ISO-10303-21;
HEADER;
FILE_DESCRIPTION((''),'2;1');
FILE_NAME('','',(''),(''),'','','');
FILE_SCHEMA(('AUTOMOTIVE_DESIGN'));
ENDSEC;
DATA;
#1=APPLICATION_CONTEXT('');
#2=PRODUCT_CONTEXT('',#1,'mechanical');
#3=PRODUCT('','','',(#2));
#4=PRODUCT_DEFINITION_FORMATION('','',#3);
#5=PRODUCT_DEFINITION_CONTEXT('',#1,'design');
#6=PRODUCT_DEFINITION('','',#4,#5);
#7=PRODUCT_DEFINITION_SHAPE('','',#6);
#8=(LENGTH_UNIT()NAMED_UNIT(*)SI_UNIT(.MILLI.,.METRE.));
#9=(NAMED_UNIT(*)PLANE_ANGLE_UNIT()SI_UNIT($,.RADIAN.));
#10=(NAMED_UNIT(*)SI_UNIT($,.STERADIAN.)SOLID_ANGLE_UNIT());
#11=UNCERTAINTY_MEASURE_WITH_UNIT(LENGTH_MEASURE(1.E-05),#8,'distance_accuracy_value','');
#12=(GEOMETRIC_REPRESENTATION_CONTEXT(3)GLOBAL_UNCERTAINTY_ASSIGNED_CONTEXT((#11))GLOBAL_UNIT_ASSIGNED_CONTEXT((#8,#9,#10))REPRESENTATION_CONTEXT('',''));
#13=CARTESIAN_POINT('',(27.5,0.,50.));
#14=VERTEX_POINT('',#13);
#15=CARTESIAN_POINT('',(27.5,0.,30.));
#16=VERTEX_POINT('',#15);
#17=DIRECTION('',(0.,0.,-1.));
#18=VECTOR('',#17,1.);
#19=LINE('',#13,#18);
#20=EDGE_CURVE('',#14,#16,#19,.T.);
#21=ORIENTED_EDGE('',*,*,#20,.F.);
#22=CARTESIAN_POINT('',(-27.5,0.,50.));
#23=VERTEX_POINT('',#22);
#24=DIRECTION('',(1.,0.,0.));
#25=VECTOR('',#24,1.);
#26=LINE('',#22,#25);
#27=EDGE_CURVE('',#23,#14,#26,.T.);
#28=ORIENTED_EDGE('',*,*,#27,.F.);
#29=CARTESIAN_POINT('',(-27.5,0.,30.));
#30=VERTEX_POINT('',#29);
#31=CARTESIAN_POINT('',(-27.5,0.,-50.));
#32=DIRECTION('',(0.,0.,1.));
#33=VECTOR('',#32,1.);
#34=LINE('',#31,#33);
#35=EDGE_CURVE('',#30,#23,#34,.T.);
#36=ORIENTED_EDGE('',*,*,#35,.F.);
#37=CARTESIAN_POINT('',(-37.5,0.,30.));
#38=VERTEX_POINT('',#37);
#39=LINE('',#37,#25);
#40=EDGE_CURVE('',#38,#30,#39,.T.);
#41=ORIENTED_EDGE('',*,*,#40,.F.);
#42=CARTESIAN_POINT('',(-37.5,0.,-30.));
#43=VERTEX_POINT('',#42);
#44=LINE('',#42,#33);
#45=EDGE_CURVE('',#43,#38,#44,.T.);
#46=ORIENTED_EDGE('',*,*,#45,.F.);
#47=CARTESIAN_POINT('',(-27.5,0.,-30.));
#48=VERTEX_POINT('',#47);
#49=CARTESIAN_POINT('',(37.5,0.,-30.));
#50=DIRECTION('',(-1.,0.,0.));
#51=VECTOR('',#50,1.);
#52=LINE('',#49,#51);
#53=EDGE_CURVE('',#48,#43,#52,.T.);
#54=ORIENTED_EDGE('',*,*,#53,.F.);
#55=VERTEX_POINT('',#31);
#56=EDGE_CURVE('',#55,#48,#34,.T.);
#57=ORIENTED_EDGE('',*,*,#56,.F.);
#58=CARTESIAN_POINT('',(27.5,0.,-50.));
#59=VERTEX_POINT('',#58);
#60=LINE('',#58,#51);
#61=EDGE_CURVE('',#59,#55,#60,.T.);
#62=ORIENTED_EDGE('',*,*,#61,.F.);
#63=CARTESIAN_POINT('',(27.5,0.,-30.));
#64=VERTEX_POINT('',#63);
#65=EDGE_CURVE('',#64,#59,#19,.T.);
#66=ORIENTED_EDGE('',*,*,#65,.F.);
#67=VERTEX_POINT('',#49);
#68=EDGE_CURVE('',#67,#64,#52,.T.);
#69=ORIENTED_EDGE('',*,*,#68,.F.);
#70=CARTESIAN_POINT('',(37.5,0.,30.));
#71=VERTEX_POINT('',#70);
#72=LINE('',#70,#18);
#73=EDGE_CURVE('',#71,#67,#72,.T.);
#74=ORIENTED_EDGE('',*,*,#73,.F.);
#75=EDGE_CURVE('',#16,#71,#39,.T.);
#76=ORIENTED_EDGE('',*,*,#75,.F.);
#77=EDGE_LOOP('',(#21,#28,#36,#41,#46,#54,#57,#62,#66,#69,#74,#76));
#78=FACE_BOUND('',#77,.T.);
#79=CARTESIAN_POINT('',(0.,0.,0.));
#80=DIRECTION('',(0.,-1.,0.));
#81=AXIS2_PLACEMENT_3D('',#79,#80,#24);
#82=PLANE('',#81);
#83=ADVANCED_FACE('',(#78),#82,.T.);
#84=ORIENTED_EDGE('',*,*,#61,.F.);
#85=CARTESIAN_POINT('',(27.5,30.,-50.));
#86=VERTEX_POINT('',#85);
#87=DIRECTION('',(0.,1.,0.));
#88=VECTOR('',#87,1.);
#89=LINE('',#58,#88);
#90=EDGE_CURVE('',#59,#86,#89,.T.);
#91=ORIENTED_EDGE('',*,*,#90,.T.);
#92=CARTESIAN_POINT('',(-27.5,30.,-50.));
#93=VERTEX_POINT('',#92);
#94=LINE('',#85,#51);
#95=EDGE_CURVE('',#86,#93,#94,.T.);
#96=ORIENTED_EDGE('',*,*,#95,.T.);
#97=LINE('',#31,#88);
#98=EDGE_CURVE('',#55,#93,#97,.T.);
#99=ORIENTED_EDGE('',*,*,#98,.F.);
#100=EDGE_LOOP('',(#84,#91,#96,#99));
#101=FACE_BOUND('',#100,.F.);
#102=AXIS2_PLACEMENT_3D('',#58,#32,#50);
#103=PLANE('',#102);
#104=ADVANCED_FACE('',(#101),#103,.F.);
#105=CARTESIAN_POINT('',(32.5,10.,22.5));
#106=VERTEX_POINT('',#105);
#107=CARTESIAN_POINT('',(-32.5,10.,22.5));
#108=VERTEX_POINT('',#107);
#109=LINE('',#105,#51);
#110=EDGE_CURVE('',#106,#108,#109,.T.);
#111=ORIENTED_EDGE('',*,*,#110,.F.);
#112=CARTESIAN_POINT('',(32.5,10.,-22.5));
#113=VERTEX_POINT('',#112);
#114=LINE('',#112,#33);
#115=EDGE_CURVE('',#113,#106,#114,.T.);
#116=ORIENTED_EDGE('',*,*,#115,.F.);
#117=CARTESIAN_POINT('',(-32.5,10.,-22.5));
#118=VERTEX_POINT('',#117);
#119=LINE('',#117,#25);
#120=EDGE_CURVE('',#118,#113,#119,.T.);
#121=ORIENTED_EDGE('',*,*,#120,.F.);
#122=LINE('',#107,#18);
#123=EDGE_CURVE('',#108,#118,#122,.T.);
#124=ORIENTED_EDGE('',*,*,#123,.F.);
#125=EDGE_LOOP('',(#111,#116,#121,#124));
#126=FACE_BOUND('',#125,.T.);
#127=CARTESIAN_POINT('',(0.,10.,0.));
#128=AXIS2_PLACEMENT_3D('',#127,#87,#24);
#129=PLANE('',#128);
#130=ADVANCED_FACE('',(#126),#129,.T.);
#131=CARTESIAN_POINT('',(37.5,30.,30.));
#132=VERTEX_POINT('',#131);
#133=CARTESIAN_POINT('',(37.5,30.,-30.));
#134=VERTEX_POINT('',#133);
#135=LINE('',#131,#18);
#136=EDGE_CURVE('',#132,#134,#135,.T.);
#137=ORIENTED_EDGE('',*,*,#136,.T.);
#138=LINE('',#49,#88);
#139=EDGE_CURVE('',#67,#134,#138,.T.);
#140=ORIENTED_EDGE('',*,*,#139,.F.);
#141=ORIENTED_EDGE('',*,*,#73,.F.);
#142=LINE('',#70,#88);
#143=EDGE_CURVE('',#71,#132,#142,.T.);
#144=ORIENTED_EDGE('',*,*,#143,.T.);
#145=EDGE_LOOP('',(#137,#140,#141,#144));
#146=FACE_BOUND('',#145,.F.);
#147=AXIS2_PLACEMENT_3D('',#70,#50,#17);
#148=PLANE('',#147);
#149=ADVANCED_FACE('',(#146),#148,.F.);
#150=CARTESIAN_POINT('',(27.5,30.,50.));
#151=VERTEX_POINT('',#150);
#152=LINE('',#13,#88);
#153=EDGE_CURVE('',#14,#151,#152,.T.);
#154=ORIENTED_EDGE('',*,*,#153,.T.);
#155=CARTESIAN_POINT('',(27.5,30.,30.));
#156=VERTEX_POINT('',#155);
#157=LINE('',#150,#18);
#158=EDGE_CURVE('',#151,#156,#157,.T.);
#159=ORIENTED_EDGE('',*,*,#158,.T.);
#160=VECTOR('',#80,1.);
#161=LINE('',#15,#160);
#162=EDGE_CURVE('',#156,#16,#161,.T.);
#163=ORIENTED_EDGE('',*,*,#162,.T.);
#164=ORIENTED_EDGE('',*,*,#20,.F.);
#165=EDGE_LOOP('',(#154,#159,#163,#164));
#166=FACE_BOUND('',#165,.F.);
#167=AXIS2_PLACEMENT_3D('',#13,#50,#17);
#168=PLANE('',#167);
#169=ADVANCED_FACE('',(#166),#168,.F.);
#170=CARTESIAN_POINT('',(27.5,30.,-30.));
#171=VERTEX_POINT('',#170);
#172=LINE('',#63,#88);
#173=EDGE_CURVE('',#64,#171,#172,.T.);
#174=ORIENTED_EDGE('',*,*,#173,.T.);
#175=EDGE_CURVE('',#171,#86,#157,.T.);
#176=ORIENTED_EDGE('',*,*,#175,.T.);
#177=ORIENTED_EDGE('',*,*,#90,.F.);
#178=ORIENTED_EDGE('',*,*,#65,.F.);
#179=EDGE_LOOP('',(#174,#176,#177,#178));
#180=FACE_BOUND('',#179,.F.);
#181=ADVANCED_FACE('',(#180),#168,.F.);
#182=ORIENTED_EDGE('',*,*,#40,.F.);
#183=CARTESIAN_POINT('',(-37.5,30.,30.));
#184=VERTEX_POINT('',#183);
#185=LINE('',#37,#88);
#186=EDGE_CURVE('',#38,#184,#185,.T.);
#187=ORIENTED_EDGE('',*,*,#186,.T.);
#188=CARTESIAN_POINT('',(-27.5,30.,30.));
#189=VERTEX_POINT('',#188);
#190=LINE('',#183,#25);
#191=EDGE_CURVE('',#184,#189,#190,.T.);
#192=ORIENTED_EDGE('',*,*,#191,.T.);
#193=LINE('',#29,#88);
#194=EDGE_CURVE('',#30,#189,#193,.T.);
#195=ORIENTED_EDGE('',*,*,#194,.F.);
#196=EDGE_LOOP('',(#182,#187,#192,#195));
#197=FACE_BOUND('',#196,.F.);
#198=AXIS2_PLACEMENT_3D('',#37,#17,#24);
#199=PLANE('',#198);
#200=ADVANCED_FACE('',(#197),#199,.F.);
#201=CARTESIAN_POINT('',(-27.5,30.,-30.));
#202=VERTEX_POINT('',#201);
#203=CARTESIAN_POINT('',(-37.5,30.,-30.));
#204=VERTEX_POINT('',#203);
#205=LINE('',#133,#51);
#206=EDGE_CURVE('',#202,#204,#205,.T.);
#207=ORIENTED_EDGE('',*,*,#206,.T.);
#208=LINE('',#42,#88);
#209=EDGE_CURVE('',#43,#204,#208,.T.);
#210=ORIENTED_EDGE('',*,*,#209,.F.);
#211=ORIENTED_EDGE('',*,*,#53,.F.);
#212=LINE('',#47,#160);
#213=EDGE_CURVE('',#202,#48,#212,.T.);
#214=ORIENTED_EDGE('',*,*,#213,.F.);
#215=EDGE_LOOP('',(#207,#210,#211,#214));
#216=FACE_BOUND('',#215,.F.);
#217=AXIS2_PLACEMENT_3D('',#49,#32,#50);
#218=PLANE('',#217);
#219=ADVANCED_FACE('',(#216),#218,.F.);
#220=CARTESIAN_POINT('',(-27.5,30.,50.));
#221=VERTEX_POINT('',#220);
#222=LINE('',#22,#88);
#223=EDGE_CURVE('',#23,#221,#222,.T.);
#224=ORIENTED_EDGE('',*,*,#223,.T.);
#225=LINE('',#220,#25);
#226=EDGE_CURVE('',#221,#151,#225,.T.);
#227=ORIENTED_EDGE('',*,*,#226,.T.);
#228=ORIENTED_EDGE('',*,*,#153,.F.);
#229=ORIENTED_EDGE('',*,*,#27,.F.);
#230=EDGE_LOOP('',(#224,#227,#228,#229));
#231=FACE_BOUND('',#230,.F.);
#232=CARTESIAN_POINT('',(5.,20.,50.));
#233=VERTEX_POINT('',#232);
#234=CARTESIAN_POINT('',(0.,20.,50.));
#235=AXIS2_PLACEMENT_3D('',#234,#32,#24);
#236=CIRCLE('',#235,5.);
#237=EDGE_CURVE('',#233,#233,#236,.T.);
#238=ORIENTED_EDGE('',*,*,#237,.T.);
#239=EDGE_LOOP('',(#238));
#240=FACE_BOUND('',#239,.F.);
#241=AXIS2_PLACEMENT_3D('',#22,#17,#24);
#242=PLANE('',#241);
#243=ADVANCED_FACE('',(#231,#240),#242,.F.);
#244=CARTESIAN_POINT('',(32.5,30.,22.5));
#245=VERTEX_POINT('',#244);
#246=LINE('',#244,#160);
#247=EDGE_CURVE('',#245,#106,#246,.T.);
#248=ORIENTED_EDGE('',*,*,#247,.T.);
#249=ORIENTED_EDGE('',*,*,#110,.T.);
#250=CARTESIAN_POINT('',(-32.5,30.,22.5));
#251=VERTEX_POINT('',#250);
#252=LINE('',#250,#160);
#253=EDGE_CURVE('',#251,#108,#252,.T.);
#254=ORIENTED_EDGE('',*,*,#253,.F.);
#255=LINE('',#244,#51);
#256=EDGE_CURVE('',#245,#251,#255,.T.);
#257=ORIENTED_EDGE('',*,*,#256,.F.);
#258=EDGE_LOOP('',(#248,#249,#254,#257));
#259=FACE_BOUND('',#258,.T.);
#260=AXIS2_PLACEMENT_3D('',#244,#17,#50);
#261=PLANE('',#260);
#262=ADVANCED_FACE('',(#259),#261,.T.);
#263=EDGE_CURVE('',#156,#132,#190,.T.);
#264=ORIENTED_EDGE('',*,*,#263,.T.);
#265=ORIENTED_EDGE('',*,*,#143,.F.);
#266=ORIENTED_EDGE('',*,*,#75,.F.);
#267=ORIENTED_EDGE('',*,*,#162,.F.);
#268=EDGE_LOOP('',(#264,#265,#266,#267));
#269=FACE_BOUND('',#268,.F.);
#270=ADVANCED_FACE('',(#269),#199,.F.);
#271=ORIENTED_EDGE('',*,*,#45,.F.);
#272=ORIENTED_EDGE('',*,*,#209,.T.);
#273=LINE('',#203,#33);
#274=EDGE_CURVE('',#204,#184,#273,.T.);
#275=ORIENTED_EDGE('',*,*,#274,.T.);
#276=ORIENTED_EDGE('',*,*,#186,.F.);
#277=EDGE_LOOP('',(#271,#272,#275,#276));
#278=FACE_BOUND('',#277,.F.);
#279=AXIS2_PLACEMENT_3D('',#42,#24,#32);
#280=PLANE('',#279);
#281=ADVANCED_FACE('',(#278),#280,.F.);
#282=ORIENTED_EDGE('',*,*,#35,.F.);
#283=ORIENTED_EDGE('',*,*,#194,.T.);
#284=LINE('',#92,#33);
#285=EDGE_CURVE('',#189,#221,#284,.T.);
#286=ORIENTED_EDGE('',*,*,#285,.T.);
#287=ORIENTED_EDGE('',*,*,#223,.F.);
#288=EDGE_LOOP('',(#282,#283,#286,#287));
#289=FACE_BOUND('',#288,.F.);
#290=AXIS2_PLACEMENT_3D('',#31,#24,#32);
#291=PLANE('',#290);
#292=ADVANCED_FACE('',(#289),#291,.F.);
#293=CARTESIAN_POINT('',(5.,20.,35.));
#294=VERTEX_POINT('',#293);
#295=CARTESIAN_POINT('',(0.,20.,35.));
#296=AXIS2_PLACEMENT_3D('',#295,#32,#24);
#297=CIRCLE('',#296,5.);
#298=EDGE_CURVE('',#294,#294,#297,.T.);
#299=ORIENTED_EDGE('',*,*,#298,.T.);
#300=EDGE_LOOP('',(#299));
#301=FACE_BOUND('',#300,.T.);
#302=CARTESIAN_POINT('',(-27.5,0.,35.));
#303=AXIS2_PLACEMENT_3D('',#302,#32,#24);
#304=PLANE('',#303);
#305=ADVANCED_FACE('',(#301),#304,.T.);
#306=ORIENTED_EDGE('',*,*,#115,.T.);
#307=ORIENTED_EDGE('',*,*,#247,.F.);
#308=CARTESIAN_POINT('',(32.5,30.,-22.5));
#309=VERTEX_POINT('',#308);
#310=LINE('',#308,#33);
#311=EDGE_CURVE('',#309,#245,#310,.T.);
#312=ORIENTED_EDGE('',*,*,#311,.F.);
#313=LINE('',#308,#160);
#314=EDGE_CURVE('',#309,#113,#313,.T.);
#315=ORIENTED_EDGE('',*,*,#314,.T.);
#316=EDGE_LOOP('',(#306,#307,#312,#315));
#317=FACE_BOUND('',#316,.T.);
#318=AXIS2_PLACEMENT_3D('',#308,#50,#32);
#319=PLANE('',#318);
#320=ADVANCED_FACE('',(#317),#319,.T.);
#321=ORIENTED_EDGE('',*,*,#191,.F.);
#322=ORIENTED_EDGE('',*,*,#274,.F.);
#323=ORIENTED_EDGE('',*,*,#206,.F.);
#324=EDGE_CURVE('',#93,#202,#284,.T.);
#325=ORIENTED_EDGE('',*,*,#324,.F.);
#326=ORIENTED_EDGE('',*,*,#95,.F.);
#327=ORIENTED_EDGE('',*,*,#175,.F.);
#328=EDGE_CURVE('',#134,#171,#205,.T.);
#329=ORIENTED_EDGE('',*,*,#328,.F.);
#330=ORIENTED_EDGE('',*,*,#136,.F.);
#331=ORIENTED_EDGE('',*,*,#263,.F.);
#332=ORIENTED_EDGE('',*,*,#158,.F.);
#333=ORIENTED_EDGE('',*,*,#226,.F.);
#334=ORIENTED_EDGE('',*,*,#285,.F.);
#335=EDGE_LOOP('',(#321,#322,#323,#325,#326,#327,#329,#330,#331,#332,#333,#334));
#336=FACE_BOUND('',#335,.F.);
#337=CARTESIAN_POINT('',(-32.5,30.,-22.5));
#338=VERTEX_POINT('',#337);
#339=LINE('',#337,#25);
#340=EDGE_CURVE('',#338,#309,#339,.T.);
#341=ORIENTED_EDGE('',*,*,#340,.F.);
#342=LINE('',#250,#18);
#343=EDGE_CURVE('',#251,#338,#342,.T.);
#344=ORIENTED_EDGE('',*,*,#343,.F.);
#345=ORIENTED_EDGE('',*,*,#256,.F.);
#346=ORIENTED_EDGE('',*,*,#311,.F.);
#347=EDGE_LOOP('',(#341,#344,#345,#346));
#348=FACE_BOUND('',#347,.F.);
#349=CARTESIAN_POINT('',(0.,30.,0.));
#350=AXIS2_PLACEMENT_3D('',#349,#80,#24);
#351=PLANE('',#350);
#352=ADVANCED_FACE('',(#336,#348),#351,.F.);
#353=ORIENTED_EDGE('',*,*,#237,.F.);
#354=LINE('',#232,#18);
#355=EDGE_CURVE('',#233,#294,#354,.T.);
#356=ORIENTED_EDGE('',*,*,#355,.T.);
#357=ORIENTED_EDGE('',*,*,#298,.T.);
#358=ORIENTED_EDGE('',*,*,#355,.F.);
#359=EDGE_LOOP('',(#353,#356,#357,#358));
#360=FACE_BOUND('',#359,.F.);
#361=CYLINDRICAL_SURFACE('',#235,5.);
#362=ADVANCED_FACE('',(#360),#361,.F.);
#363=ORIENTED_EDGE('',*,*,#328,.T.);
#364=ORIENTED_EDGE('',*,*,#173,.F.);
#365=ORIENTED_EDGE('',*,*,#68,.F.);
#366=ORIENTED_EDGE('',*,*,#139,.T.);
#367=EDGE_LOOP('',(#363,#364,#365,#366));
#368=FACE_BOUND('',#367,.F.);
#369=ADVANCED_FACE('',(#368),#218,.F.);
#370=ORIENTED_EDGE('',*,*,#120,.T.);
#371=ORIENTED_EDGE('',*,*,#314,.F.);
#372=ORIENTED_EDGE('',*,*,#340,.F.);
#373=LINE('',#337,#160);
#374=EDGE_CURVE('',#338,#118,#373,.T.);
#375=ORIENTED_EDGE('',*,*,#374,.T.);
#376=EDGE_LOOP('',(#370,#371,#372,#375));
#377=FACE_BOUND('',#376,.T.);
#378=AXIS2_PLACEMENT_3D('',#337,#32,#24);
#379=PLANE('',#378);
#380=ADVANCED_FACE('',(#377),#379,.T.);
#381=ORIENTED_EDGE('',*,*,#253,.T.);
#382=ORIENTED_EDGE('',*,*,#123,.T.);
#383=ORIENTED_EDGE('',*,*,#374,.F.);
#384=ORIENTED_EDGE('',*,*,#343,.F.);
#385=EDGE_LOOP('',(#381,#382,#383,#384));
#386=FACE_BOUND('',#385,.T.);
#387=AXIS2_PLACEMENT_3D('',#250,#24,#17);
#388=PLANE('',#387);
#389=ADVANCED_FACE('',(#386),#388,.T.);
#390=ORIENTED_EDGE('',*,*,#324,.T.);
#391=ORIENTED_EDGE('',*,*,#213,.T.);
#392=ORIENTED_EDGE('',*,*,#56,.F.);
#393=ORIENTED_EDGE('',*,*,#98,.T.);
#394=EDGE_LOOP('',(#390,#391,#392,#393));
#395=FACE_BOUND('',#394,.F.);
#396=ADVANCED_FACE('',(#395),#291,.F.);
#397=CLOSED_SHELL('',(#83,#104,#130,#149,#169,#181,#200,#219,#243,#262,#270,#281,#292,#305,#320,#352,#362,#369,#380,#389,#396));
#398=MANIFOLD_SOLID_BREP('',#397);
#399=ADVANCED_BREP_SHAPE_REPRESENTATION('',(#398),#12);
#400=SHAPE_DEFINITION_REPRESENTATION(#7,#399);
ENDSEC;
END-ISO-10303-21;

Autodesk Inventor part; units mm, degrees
ref_plane "YZ Plane" through (0, 0, 0) normal (1, 0, 0) x (0, 1, 0)
ref_plane "XZ Plane" through (0, 0, 0) normal (0, 1, 0) x (-1, 0, 0)
ref_plane "XY Plane" through (0, 0, 0) normal (0, 0, 1) x (1, 0, 0)
sketch "Boceto1" plane through (0, 0, 0) normal (0, 1, 0) x (-1, 0, 0)
  line L0 (27.5, 50) -> (-27.5, 50)
  line L1 (-27.5, 50) -> (-27.5, -50)
  line L2 (-27.5, -50) -> (27.5, -50)
  line L3 (27.5, -50) -> (27.5, 50)
  line L4 (27.5, 50) -> (-27.5, -50) construction
  line L5 (-27.5, 50) -> (27.5, -50) construction
  point P0 (0, 0)
  dimension "d0" = 55
  dimension "d1" = 100
extrude "Extrusión1" add sketch "Boceto1" along normal blind 30
sketch "Boceto3" plane through (-27.5, 0, 50) normal (0, 0, 1) x (1, 0, 0)
  circle A0 centre (27.5, 20) radius 5
  line L0 (0, 30) -> (55, 30) projected
  point P0 (27.5, 0)
  point P1 (27.5, 30)
  dimension "d10" = 10
  dimension "d11" = 10
extrude "Extrusión3" cut sketch "Boceto3" against normal blind 15
sketch "Boceto9" plane through (0, 0, 0) normal (0, -1, 0) x (1, 0, 0)
  line L0 (-37.5, 30) -> (37.5, 30)
  line L1 (37.5, 30) -> (37.5, -30)
  line L2 (37.5, -30) -> (-37.5, -30)
  line L3 (-37.5, -30) -> (-37.5, 30)
  line L4 (-37.5, 30) -> (37.5, -30) construction
  line L5 (37.5, 30) -> (-37.5, -30) construction
  point P0 (0, 0)
  dimension "d52" = 75
  dimension "d53" = 60
extrude "Extrusión7" add sketch "Boceto9" against normal blind 30
sketch "Boceto10" plane through (0, 30, 0) normal (0, 1, 0) x (1, 0, 0)
  line L0 (-32.5, 22.5) -> (32.5, 22.5)
  line L1 (32.5, 22.5) -> (32.5, -22.5)
  line L2 (32.5, -22.5) -> (-32.5, -22.5)
  line L3 (-32.5, -22.5) -> (-32.5, 22.5)
  line L4 (-32.5, 22.5) -> (32.5, -22.5) construction
  line L5 (32.5, 22.5) -> (-32.5, -22.5) construction
  point P0 (0, 0)
  dimension "d56" = 65
  dimension "d57" = 45
extrude "Extrusión8" cut sketch "Boceto10" against normal blind 20
properties part number "camera_support"
